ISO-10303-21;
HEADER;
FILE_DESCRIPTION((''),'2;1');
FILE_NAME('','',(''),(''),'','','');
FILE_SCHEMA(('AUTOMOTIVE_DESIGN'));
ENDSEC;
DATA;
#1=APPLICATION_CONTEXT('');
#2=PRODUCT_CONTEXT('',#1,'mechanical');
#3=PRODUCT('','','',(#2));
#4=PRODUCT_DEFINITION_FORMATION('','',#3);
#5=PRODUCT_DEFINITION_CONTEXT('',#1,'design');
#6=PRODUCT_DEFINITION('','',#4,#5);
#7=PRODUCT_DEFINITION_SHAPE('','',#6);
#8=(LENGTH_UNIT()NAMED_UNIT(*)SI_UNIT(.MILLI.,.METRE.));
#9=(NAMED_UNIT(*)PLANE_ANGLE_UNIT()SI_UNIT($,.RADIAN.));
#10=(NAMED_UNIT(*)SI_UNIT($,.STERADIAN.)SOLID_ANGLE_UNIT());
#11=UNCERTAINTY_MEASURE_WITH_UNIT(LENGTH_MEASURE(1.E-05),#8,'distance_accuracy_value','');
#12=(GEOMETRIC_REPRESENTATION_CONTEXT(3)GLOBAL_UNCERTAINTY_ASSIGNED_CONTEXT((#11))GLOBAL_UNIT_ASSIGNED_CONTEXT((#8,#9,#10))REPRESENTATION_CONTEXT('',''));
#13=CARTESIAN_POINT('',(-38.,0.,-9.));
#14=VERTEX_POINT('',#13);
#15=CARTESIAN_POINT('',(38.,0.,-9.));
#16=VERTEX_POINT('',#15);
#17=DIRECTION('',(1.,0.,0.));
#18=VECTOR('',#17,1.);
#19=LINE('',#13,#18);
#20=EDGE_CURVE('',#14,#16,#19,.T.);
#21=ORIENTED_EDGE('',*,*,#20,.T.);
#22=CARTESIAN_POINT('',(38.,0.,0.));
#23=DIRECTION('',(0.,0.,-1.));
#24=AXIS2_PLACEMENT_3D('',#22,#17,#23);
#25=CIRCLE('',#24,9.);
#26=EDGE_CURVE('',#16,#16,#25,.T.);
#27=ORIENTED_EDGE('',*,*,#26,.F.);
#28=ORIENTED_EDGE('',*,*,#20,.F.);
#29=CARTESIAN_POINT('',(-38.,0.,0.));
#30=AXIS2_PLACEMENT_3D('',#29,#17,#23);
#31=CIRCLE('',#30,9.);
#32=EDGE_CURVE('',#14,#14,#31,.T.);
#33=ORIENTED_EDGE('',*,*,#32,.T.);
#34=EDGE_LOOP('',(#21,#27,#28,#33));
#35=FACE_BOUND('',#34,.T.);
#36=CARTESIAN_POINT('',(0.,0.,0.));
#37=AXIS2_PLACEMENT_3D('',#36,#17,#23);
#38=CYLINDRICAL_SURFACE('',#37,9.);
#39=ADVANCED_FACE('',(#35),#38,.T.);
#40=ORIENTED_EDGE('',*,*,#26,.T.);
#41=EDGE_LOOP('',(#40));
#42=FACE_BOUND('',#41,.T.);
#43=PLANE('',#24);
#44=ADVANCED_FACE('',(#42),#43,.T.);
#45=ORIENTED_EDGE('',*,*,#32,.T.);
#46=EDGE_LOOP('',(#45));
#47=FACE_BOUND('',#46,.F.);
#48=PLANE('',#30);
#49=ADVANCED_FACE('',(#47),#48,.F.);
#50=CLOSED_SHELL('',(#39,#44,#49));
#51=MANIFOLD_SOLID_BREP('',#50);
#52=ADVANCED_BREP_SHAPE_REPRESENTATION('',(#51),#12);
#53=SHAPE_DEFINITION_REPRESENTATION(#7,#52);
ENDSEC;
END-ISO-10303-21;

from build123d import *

# Parameters (mm, degrees)
SKETCH1_R           = 9
BOSS_EXTRUDE1_DEPTH = 38


with BuildPart() as part:
    # Sketch1 → Boss-Extrude1 (new body, symmetric)
    with BuildSketch(Plane(origin=(0, 0, 0), x_dir=(0, 0, -1), z_dir=(1, 0, 0))):
        Circle(SKETCH1_R)
    extrude(amount=BOSS_EXTRUDE1_DEPTH, both=True)


solid = part.part
